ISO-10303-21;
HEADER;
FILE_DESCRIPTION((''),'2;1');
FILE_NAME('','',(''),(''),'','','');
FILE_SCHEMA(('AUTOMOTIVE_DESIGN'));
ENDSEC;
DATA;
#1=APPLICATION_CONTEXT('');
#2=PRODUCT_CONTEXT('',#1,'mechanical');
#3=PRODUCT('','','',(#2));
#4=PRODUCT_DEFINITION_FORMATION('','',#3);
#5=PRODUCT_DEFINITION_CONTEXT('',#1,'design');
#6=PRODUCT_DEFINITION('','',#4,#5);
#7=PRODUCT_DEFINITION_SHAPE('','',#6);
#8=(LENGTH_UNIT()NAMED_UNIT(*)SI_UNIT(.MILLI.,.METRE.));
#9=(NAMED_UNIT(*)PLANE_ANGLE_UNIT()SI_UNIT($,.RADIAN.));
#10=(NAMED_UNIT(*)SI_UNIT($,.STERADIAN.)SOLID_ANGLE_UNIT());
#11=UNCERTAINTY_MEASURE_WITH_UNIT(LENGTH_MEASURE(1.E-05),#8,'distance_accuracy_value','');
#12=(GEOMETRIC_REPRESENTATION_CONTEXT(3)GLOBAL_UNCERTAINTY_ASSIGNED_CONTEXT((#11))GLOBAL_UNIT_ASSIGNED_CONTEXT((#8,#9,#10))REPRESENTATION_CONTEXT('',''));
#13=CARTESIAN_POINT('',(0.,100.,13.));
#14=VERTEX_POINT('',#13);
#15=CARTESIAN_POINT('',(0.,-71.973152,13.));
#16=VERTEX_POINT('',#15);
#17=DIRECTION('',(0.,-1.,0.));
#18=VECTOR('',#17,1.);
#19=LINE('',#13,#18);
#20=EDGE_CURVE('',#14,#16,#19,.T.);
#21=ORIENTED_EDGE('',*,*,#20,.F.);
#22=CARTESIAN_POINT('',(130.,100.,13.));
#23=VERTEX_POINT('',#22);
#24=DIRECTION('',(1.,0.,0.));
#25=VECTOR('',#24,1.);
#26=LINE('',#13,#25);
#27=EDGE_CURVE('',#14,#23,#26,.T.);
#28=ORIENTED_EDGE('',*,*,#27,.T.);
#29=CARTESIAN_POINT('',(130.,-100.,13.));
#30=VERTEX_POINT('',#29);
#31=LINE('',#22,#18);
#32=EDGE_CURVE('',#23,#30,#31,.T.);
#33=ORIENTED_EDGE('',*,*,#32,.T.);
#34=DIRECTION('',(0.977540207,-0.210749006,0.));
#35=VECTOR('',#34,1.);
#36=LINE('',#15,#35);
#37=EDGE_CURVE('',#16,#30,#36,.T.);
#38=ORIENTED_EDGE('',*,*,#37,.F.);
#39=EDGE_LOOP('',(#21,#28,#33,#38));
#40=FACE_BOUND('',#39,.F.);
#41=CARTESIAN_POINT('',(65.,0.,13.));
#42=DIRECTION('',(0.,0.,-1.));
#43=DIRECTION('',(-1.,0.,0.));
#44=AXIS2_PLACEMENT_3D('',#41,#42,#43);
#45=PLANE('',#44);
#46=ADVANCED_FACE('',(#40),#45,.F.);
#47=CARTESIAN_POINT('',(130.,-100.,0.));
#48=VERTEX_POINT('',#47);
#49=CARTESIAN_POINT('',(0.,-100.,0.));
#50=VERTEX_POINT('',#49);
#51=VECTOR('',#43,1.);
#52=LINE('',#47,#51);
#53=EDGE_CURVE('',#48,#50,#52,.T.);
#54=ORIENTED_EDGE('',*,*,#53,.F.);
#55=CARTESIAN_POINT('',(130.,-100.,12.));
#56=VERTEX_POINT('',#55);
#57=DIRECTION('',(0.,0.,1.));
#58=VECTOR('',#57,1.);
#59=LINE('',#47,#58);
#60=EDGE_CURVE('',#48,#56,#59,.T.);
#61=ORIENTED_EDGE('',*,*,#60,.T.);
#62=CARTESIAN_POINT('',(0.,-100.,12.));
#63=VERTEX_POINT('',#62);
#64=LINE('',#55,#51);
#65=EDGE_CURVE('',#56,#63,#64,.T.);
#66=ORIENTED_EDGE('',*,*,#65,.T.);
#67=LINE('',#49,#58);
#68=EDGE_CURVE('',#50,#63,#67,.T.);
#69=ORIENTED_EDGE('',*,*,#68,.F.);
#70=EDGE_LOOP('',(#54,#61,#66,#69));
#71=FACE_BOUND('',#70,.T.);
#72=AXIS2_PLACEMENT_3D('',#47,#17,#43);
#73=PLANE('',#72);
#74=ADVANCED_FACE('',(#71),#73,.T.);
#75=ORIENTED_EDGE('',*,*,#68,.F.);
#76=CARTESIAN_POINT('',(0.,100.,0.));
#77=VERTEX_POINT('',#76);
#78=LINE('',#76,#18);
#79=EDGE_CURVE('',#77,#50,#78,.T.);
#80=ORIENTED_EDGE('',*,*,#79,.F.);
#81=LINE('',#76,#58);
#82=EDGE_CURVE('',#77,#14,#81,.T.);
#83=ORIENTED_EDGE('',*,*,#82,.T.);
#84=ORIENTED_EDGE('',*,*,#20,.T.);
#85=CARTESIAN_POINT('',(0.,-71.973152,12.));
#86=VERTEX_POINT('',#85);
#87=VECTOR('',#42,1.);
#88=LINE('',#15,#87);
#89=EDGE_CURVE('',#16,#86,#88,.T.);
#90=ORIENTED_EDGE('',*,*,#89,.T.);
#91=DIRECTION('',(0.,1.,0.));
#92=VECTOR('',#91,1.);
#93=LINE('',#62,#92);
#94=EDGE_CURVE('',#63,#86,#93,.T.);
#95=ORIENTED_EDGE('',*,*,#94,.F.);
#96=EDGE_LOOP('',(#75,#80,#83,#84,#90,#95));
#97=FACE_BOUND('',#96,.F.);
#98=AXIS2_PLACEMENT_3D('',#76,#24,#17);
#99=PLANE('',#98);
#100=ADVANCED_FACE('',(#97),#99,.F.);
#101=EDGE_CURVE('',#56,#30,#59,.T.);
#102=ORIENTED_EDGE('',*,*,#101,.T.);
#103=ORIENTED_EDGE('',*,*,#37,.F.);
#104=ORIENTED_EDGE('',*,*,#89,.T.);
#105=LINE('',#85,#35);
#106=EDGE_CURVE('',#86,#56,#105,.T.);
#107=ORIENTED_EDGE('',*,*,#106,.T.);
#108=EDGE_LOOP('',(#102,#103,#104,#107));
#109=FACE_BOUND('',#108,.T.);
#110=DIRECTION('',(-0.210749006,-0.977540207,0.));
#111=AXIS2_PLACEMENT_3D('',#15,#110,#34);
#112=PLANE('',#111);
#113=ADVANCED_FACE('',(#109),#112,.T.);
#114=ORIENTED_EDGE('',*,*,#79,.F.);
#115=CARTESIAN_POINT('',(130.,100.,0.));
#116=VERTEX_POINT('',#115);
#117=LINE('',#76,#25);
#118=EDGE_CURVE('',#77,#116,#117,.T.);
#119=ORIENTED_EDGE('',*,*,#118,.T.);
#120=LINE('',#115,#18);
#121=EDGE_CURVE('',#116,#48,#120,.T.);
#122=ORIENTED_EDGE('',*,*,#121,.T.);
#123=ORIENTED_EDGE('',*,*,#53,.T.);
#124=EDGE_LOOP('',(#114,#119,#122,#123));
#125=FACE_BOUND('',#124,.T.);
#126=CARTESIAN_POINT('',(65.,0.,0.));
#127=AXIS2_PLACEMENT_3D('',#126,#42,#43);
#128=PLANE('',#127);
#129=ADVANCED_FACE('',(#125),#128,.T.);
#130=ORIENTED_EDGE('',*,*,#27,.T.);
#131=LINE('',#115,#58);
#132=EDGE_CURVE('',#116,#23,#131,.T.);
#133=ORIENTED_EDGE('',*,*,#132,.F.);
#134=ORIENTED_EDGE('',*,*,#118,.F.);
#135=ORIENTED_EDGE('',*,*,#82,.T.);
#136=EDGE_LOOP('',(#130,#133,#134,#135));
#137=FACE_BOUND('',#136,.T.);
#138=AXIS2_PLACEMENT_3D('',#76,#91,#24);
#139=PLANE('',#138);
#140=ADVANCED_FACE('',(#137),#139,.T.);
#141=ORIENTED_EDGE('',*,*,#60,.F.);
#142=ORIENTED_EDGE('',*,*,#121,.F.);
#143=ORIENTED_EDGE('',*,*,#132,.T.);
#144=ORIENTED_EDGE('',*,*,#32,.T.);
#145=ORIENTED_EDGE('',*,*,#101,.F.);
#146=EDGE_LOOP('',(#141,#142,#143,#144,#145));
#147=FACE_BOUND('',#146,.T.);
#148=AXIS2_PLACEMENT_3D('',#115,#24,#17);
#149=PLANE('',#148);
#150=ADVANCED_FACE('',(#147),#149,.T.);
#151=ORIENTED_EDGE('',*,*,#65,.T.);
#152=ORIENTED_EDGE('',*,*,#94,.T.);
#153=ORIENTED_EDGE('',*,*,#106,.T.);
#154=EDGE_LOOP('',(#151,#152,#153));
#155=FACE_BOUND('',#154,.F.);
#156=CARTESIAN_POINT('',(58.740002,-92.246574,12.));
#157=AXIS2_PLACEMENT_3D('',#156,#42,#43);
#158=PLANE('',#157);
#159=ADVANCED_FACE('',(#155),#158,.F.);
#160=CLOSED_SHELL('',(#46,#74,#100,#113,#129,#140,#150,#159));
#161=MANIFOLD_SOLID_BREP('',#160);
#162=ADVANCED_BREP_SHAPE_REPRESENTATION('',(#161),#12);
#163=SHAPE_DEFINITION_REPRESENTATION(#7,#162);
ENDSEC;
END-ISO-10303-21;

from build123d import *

# Parameters (mm, degrees)
PAD_DEPTH    = 13
POCKET_DEPTH = 1


with BuildPart() as part:
    # Sketch → Pad (new body)
    with BuildSketch(Plane.XY):
        Polygon((0, 0), (0, 100), (130, 100), (130, -100), (0, -100), align=None)
    extrude(amount=PAD_DEPTH)

    # Sketch002 (on Face7 of Pad) → Pocket (cut)
    with BuildSketch(Plane.XY.offset(13)):
        Polygon((0, -100), (0, -71.973152), (130, -100), align=None)
    extrude(amount=-POCKET_DEPTH, mode=Mode.SUBTRACT)


solid = part.part
